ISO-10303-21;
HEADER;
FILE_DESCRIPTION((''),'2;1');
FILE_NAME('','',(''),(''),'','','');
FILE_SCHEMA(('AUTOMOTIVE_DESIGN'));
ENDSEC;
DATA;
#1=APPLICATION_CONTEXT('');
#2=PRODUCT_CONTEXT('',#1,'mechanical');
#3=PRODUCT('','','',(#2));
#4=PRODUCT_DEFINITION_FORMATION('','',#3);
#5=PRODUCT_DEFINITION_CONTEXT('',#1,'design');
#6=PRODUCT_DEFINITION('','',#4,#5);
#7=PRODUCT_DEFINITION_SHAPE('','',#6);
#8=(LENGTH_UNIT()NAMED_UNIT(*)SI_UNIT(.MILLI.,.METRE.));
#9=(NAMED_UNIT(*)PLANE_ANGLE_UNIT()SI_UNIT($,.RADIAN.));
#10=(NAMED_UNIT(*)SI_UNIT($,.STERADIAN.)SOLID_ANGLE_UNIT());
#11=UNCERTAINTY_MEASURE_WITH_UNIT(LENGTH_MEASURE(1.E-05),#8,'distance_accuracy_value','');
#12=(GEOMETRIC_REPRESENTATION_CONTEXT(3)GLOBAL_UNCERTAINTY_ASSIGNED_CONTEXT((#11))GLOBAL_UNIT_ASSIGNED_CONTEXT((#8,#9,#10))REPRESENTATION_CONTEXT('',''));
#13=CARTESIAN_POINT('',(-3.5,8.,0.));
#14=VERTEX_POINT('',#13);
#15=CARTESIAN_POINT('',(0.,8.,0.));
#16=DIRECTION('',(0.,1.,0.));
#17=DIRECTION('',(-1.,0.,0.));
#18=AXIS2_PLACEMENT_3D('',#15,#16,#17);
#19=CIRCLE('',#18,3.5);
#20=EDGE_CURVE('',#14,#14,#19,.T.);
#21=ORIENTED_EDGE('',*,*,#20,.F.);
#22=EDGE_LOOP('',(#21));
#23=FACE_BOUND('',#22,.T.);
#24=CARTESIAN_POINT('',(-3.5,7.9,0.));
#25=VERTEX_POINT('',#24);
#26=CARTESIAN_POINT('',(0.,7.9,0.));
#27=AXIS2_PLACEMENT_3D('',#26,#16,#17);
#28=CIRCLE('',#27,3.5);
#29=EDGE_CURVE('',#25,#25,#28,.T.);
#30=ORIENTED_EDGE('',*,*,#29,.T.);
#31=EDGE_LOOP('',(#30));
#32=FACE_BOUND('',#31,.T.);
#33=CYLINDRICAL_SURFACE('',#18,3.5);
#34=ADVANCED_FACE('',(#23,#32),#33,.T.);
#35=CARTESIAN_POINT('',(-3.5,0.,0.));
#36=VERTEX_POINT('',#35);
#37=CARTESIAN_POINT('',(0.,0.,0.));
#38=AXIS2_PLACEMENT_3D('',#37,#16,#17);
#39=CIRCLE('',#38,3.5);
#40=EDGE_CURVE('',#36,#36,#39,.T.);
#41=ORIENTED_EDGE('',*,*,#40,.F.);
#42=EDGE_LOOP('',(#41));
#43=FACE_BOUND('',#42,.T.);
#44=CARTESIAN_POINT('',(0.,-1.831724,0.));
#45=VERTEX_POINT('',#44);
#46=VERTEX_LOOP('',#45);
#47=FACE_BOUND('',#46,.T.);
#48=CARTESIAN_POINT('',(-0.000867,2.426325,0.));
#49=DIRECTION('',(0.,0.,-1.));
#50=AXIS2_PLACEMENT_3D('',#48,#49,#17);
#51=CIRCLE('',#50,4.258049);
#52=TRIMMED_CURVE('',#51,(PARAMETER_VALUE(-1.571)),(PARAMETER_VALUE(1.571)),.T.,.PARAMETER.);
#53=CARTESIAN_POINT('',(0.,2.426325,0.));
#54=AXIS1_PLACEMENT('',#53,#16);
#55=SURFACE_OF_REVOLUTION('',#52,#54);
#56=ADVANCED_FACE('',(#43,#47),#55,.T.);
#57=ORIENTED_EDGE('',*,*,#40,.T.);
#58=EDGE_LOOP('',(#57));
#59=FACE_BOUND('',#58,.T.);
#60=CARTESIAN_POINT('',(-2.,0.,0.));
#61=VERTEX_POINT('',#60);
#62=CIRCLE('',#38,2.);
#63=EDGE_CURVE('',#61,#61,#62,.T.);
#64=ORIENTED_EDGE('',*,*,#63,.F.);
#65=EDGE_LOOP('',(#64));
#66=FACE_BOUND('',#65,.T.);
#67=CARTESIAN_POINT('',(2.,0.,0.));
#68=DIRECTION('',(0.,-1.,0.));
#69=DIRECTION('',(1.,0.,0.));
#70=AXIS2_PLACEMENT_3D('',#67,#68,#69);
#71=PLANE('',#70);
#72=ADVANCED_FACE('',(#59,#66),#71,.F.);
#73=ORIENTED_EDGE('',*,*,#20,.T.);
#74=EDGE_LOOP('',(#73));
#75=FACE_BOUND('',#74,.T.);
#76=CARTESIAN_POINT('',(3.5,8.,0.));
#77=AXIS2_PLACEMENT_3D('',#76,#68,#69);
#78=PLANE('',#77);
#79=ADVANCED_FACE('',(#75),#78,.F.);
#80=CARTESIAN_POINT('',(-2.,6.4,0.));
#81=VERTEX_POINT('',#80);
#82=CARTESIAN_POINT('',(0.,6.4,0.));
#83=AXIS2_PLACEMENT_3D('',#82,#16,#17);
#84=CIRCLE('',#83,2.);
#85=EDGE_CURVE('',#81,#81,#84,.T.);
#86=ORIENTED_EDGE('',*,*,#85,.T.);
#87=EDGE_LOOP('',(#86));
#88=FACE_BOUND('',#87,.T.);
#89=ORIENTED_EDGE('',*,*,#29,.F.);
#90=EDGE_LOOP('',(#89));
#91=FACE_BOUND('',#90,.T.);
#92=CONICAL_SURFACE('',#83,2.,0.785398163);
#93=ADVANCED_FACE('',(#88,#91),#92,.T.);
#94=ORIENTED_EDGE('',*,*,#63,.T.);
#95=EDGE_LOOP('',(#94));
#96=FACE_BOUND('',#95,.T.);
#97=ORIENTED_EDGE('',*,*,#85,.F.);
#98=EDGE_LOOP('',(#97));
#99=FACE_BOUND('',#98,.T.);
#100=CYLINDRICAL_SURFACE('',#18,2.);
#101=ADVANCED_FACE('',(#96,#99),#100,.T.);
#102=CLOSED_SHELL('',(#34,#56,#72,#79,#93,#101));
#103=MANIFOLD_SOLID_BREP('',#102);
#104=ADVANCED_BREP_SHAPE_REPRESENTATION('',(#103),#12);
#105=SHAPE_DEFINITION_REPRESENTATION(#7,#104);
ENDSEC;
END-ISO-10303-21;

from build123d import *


with BuildPart() as part:
    # Эскиз1 → Revolve 344 (revolve)
    with BuildSketch(Plane.XY, mode=Mode.PRIVATE) as revolve_344_sk:
        with BuildLine():
            Line((2, 0), (3.5, 0))
            ThreePointArc((3.5, 0), (1.975270636, -1.346302041), (0, -1.831724267))
            Line((0, -1.831724267), (0, 8))
            Line((0, 8), (3.5, 8))
            Line((3.5, 8), (3.5, 7.9))
            Line((3.5, 7.9), (2, 6.4))
            Line((2, 6.4), (2, 0))
        make_face()
    revolve(revolve_344_sk.sketch.rotate(Axis((0, 8, 0), (0, -1, 0)), 180), axis=Axis((0, 8, 0), (0, -1, 0)))


solid = part.part
